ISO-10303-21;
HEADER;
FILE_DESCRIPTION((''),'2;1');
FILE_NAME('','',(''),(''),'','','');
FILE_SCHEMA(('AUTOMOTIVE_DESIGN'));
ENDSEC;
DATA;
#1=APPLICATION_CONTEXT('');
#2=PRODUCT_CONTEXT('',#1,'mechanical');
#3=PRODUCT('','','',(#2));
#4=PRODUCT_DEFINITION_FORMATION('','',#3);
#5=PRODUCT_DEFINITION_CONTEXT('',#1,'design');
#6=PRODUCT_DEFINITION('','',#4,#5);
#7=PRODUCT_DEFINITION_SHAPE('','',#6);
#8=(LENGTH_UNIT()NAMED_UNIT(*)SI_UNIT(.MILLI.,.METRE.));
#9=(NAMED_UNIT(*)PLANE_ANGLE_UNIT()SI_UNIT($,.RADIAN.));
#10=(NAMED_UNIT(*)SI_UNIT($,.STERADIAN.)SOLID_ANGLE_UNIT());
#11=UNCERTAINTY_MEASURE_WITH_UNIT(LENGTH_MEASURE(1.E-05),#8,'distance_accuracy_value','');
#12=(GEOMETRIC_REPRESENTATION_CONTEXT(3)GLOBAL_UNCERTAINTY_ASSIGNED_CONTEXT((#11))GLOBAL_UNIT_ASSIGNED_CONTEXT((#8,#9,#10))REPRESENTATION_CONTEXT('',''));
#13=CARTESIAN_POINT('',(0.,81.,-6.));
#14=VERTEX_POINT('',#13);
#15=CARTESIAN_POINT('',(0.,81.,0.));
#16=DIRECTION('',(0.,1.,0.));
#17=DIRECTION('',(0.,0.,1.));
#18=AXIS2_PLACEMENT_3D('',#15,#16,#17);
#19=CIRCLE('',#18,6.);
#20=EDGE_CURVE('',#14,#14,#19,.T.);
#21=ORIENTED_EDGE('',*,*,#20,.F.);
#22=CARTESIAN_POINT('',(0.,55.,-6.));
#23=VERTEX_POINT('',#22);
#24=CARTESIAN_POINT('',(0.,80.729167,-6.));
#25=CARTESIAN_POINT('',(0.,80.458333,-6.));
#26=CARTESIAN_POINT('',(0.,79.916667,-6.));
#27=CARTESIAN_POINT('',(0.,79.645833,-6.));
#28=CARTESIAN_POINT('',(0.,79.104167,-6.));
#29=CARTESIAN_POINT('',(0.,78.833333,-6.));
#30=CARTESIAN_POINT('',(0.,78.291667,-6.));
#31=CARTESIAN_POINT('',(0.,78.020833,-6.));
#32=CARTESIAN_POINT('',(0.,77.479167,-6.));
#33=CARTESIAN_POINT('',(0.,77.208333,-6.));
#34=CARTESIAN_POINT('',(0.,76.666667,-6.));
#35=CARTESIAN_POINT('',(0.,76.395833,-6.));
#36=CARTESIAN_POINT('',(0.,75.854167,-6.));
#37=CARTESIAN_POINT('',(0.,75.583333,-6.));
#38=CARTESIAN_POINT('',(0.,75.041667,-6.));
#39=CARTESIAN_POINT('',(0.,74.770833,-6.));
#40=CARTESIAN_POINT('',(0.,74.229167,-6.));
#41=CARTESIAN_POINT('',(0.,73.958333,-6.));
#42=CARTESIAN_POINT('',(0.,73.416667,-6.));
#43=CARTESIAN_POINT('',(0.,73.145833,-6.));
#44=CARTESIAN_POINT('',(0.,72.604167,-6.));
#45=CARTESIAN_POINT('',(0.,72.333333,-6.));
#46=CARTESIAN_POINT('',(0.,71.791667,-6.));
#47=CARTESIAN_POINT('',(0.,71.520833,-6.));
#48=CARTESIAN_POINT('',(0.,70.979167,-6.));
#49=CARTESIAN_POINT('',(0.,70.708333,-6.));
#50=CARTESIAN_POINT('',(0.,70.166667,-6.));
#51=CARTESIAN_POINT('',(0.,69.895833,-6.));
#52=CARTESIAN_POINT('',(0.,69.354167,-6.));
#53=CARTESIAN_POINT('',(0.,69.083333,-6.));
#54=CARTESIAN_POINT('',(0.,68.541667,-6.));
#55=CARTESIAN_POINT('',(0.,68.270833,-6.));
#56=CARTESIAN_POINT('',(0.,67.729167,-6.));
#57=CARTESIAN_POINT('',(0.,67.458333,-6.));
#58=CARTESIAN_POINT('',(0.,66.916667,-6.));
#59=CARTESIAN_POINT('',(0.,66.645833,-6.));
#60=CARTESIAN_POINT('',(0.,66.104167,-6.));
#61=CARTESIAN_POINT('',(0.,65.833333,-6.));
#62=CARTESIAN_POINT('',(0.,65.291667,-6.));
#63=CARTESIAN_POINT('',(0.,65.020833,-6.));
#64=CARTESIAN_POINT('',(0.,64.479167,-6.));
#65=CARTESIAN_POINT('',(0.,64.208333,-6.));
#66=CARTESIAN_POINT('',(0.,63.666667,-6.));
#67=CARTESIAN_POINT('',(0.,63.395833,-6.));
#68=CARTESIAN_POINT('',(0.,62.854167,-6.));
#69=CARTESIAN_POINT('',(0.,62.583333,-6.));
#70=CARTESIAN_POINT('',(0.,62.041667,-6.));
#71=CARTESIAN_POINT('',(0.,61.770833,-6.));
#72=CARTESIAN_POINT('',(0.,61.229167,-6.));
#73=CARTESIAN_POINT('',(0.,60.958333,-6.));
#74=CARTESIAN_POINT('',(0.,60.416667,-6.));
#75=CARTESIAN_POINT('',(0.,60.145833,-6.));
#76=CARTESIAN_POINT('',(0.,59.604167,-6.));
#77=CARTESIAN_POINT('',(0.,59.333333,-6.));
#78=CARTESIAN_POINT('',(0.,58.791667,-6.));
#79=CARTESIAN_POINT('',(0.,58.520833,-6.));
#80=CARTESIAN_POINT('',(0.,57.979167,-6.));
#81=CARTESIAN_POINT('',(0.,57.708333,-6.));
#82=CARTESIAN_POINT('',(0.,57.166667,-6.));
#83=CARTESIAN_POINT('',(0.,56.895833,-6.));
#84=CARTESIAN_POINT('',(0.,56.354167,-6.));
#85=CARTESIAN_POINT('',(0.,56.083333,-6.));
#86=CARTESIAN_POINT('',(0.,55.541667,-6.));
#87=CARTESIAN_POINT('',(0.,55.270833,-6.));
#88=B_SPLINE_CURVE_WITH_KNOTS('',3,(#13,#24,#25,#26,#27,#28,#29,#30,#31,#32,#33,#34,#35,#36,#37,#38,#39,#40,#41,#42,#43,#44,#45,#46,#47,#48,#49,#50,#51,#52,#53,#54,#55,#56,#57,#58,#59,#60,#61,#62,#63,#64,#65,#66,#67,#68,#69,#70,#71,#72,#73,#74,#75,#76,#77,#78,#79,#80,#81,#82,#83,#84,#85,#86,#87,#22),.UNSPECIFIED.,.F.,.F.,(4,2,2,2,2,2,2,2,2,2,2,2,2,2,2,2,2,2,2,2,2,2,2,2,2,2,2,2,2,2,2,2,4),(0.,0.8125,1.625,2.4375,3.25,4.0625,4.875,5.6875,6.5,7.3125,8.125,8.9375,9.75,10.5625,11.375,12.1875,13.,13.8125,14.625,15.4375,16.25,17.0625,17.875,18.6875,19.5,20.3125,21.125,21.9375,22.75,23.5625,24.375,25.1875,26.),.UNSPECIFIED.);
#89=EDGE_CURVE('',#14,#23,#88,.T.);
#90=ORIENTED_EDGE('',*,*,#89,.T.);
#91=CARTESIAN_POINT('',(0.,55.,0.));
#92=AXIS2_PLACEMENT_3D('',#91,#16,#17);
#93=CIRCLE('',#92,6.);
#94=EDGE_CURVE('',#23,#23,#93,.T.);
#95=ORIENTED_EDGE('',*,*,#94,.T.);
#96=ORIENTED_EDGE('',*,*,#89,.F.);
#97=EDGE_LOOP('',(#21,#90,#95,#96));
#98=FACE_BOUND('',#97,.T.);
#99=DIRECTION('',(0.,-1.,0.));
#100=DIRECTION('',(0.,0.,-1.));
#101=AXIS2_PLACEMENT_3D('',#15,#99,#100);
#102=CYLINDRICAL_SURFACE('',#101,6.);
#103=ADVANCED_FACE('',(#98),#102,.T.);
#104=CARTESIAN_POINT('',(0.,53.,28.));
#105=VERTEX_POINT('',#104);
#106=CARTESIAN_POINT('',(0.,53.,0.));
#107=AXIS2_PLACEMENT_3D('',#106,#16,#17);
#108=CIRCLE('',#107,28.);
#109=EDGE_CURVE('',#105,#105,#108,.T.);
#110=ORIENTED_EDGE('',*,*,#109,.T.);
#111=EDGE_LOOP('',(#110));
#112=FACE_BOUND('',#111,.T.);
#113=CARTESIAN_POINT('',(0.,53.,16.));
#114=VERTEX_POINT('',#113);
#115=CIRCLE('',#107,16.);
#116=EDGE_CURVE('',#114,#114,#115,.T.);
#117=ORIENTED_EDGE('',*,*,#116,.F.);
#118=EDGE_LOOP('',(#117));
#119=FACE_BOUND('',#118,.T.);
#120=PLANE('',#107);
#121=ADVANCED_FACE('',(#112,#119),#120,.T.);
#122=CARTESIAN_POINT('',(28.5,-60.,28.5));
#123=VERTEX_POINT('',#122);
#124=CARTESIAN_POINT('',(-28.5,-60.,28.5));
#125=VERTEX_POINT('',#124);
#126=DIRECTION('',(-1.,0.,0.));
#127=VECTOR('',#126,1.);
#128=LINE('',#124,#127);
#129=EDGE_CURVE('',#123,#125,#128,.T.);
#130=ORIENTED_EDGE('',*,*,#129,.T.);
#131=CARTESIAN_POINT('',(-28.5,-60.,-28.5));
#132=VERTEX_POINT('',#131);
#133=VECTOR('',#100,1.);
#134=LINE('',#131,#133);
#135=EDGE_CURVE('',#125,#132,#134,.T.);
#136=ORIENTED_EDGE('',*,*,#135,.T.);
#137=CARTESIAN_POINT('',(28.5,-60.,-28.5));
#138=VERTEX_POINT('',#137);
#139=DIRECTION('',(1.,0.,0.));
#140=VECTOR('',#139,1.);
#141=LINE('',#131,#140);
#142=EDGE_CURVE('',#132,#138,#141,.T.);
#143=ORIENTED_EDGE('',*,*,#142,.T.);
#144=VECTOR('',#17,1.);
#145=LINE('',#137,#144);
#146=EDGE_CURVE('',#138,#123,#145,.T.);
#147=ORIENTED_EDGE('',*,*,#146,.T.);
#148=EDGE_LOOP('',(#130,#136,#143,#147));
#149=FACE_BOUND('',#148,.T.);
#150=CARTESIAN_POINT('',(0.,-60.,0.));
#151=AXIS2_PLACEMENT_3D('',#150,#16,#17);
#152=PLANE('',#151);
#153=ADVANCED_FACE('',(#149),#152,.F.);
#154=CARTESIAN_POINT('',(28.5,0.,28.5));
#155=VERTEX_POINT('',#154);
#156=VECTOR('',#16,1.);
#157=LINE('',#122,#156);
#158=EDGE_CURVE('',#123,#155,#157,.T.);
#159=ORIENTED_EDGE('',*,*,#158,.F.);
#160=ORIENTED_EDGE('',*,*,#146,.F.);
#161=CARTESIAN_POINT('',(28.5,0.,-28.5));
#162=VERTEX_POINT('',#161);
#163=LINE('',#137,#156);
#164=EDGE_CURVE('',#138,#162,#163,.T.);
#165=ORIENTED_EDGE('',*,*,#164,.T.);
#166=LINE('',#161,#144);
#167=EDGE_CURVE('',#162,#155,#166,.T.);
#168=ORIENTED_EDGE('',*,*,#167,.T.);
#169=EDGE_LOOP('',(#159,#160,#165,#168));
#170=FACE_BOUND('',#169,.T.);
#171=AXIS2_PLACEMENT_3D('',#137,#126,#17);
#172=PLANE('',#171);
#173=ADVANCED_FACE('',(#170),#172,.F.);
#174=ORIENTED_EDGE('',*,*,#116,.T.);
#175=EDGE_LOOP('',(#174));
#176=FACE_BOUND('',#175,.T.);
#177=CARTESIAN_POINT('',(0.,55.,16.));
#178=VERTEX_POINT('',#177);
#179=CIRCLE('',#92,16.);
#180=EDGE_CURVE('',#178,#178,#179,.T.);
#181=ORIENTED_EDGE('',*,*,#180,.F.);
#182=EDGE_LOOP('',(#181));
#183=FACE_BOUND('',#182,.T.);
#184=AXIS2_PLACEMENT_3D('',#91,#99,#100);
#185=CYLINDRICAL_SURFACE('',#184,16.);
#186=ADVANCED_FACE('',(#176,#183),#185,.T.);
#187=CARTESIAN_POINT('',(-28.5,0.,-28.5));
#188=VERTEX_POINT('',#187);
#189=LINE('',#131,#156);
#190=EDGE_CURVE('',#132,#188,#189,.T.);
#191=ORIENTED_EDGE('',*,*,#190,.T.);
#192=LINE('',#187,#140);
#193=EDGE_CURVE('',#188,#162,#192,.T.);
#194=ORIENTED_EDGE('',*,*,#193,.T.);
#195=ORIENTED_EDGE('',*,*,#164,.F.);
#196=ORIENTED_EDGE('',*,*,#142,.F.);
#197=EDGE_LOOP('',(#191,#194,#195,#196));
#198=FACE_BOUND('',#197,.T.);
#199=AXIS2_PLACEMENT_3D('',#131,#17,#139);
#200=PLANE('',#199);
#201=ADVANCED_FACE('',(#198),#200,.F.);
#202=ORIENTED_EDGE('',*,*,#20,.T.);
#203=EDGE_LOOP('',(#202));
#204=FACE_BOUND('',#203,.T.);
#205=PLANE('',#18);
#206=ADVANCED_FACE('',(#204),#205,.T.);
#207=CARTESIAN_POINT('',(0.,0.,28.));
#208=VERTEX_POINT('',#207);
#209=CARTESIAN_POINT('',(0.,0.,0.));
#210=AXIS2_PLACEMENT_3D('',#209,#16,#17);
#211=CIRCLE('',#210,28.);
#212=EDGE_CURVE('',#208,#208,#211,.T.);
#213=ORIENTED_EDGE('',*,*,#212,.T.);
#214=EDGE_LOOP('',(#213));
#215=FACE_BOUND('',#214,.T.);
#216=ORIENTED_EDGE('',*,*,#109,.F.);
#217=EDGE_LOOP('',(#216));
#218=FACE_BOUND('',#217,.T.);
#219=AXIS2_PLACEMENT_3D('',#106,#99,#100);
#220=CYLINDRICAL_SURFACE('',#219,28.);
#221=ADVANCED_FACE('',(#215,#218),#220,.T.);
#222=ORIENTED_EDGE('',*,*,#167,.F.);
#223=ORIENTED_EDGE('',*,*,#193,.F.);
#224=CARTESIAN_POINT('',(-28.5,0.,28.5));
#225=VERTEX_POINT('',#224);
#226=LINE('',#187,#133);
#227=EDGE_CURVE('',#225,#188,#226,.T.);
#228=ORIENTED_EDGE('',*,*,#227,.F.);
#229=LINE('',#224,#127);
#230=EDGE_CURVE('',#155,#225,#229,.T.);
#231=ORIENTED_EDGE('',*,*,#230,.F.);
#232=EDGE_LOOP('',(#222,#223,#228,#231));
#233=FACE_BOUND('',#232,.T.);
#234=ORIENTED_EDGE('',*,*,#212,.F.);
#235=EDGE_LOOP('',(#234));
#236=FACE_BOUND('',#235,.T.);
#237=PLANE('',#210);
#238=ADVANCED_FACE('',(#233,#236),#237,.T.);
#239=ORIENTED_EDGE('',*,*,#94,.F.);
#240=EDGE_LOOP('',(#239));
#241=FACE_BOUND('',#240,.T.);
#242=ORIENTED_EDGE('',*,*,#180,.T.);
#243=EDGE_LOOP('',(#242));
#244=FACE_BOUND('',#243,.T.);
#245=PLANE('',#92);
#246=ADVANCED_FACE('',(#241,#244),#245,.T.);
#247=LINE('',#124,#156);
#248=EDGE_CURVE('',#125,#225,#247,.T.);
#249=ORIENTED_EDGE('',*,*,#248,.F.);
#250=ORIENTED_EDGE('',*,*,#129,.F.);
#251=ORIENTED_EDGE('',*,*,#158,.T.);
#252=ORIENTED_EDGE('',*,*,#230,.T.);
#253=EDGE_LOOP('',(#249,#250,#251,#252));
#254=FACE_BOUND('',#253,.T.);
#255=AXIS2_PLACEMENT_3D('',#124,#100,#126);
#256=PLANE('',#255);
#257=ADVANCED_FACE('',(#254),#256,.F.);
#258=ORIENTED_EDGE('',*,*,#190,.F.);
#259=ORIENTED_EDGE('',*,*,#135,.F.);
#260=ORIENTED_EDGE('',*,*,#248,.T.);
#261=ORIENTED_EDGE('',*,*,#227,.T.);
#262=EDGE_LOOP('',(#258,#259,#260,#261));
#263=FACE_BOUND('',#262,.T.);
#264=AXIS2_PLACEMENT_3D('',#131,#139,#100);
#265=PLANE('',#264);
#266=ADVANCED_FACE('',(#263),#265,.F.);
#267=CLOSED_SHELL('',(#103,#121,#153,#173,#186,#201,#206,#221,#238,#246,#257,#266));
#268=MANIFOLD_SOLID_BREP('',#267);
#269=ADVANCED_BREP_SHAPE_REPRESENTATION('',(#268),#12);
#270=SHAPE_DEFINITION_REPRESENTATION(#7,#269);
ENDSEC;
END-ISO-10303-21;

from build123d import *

# Parameters (mm, degrees)
SKETCH1_R           = 28
BOSS_EXTRUDE1_DEPTH = 53
SKETCH2_R           = 16
BOSS_EXTRUDE2_DEPTH = 2
SKETCH3_R           = 6
BOSS_EXTRUDE3_DEPTH = 26
SKETCH4_W           = 57
SKETCH4_H           = 57
BOSS_EXTRUDE4_DEPTH = 60


with BuildPart() as part:
    # Sketch1 → Boss-Extrude1 (new body)
    with BuildSketch(Plane(origin=(0, 0, 0), x_dir=(1, 0, 0), z_dir=(0, 1, 0))):
        with Locations(Location((0, 0, 0), (0, 0, 270))):
            Circle(SKETCH1_R)
    extrude(amount=BOSS_EXTRUDE1_DEPTH)

    # Sketch2 → Boss-Extrude2 (add)
    with BuildSketch(Plane(origin=(0, 53, 0), x_dir=(1, 0, 0), z_dir=(0, 1, 0))):
        with Locations(Location((0, 0, 0), (0, 0, 270))):
            Circle(SKETCH2_R)
    extrude(amount=BOSS_EXTRUDE2_DEPTH)

    # Sketch3 → Boss-Extrude3 (add)
    with BuildSketch(Plane(origin=(0, 55, 0), x_dir=(1, 0, 0), z_dir=(0, 1, 0))):
        with Locations(Location((0, 0, 0), (0, 0, 90))):
            Circle(SKETCH3_R)
    extrude(amount=BOSS_EXTRUDE3_DEPTH)

    # Sketch4 → Boss-Extrude4 (add)
    with BuildSketch(Plane.XZ):
        Rectangle(SKETCH4_W, SKETCH4_H)
    extrude(amount=BOSS_EXTRUDE4_DEPTH)


solid = part.part
